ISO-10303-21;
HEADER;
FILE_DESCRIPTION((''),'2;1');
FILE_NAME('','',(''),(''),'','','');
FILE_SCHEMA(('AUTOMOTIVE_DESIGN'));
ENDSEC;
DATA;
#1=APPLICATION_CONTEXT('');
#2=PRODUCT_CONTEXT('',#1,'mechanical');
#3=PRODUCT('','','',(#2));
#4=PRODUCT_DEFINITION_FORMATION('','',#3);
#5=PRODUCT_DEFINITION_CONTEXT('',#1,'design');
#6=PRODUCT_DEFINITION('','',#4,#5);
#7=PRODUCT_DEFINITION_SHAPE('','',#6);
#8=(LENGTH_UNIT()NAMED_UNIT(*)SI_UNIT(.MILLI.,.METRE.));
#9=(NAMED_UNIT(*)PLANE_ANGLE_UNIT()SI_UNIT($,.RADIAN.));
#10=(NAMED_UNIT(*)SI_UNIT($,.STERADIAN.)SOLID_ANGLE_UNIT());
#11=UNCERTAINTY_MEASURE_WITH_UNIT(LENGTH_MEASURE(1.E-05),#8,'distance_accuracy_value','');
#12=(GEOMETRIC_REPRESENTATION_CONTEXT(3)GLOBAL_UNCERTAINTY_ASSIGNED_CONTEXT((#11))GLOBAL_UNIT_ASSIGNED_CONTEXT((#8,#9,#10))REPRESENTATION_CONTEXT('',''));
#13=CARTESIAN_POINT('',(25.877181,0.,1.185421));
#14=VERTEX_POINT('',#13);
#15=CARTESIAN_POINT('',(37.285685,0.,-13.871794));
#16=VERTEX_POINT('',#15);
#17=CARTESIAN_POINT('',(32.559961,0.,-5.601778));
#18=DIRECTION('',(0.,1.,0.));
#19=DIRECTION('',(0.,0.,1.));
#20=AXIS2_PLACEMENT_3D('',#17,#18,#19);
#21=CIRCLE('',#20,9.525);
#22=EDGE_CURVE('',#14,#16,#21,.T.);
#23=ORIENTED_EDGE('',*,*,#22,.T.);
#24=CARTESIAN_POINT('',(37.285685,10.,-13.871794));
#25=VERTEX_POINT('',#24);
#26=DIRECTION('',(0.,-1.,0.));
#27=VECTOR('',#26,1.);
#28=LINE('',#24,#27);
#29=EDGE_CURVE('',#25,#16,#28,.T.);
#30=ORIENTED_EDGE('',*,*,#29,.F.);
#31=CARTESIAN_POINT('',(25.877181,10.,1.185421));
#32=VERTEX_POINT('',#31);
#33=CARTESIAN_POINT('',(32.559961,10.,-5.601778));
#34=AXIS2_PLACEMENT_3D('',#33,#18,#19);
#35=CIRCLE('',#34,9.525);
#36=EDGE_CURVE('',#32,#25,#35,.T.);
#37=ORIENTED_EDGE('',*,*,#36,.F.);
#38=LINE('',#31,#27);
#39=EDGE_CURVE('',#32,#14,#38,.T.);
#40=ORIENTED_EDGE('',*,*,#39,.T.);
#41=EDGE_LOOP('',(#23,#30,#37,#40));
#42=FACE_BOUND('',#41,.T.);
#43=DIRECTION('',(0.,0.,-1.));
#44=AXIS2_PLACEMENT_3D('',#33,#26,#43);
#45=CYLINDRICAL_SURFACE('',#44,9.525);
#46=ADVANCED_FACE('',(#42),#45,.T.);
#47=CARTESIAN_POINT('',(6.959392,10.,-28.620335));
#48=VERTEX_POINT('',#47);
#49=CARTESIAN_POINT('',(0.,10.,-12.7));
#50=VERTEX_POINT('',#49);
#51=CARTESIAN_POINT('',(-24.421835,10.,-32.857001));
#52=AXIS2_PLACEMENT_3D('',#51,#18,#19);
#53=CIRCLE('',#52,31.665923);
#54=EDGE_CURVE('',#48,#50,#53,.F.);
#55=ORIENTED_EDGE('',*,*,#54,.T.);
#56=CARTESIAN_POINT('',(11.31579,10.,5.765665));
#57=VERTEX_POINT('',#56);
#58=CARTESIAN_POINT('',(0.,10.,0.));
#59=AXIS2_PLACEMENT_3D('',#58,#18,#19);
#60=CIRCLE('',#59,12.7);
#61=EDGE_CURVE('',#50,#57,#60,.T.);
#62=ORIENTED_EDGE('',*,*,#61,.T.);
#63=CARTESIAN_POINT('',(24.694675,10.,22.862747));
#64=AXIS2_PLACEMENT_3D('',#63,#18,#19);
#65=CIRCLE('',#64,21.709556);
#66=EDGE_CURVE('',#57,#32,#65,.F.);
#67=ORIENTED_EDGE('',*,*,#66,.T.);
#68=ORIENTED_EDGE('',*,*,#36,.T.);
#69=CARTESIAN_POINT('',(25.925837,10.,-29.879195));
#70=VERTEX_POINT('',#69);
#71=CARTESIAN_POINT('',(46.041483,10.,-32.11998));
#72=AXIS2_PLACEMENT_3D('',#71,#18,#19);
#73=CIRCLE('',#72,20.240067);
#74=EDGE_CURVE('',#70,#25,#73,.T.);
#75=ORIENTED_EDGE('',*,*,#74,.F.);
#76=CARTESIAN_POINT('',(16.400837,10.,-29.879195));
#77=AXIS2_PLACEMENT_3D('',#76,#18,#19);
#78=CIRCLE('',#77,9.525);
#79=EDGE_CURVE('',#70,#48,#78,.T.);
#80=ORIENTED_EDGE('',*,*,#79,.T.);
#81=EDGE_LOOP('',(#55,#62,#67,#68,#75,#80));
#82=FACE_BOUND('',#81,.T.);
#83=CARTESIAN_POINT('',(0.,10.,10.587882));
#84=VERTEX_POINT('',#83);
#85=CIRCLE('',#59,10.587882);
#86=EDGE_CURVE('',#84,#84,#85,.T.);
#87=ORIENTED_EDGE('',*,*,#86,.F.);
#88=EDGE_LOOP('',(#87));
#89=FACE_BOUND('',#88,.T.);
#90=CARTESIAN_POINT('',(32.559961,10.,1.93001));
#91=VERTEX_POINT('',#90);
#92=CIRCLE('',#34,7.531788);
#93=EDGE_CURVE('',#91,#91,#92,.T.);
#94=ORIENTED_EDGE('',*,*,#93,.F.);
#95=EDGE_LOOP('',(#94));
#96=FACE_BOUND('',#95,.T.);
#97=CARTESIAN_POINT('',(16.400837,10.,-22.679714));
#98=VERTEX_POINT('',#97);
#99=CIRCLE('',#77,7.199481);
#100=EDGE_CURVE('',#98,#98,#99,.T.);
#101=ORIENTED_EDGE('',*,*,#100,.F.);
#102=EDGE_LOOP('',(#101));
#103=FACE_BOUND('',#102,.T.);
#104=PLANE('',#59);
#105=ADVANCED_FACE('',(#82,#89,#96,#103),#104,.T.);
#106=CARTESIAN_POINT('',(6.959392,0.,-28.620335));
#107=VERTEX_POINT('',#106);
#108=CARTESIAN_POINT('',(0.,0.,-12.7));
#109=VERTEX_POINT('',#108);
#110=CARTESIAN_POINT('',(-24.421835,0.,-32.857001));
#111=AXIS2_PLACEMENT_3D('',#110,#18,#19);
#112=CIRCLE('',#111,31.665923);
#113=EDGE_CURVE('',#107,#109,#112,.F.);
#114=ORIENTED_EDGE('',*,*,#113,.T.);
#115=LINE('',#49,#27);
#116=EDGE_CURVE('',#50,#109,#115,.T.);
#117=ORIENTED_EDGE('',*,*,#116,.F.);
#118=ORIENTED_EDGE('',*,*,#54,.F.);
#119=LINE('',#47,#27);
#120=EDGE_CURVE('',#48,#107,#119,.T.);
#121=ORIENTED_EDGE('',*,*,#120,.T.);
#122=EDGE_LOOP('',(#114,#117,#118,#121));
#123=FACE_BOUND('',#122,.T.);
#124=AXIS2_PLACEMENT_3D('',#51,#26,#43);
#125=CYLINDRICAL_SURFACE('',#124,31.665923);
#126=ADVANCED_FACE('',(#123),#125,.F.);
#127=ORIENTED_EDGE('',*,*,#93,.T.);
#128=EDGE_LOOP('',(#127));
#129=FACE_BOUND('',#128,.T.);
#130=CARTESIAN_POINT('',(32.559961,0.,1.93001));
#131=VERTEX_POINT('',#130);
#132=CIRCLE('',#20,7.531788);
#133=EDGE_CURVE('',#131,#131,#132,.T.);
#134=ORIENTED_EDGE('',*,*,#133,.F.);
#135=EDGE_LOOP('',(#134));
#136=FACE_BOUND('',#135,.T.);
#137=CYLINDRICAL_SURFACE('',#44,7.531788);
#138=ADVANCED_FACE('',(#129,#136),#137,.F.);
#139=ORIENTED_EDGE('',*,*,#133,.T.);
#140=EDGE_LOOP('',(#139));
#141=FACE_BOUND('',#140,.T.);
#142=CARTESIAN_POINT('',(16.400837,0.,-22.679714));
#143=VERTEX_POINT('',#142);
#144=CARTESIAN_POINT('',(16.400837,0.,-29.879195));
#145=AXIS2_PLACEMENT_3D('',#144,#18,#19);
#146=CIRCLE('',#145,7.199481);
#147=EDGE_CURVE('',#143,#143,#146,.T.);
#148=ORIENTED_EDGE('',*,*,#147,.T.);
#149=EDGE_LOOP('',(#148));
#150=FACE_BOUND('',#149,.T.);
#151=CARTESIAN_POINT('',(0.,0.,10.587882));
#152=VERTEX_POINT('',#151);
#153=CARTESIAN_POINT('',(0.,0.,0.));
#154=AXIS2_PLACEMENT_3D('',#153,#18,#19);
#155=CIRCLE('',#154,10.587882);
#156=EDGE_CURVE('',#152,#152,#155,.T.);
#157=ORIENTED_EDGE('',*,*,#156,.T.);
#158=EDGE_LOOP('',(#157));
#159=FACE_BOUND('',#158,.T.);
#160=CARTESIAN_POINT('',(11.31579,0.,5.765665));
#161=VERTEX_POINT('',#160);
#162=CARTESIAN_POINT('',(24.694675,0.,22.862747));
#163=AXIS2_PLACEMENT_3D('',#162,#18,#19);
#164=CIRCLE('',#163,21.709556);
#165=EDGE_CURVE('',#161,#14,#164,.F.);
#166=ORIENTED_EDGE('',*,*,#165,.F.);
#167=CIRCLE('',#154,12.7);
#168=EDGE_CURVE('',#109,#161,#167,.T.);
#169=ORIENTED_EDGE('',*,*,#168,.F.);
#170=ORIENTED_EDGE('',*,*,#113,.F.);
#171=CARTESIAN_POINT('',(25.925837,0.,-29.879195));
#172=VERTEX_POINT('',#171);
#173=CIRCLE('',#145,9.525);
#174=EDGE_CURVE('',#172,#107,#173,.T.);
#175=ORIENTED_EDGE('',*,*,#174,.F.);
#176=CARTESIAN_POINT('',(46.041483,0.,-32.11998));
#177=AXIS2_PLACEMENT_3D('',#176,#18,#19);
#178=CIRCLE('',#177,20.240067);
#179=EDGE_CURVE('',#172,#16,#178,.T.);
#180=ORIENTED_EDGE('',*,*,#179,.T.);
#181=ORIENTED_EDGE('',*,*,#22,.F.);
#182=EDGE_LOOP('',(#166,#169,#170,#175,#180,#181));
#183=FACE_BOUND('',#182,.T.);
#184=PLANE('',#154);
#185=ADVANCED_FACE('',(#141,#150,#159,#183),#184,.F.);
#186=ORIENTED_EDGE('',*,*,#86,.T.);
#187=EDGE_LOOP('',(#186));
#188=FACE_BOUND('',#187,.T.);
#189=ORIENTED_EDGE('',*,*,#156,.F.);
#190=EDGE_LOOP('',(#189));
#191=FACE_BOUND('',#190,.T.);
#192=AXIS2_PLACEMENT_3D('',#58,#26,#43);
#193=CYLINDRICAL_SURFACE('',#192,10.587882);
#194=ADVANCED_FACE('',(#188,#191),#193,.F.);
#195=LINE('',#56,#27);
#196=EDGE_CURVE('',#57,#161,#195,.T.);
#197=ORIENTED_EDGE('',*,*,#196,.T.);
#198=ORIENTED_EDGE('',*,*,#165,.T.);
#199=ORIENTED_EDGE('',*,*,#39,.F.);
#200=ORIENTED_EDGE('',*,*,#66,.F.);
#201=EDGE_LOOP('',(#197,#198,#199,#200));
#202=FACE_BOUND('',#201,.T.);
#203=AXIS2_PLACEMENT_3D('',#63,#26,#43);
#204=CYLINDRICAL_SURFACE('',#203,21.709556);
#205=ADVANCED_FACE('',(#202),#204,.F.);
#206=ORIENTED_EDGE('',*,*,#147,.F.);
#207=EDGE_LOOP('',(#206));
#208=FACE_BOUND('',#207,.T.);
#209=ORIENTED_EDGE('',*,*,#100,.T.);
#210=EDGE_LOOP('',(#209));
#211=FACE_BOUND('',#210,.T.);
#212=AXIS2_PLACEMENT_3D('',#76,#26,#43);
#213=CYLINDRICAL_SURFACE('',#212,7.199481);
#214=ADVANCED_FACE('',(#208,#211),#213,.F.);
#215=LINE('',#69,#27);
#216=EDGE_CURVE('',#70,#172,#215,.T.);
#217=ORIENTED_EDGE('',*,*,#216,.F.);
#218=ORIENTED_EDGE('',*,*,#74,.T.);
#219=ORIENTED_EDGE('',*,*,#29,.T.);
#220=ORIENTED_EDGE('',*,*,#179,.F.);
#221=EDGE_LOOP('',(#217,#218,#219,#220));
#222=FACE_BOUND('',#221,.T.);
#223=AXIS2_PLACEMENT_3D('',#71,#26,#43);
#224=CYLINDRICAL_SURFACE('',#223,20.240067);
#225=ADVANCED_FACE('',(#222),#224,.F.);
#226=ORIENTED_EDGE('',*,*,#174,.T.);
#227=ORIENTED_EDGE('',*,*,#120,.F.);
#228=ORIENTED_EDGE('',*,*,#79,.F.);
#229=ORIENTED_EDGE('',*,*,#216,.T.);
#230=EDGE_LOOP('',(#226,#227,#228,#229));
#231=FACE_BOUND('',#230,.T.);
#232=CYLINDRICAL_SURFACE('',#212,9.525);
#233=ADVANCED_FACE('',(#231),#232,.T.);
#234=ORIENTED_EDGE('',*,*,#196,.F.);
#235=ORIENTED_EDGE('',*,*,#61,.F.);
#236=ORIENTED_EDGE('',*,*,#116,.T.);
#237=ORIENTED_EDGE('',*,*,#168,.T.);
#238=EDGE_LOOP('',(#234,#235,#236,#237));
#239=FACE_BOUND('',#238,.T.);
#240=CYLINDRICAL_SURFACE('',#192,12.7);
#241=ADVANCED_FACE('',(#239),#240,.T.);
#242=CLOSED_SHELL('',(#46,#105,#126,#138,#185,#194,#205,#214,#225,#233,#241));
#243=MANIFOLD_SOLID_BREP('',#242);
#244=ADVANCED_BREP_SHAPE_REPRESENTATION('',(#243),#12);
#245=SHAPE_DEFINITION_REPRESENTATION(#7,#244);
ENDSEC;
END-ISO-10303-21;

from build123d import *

# Parameters (mm, degrees)
SKETCH1_R           = 12.7
SKETCH1_R_2         = 10.587882435
SKETCH1_R_3         = 9.525
SKETCH1_R_4         = 7.199480632
SKETCH1_R_5         = 7.531788478
BOSS_EXTRUDE1_DEPTH = 10


with BuildPart() as part:
    # Sketch1 → Boss-Extrude1 (new body)
    # profile 1 of 4: a face of its own
    with BuildSketch(Plane(origin=(0, 0, 0), x_dir=(1, 0, 0), z_dir=(0, 1, 0))):
        with BuildLine():
            ThreePointArc((0, 12.7), (8.980256121, 8.980256121), (12.7, 0))
            ThreePointArc((12.7, 0), (12.349099919, -2.964748082), (11.315790364, -5.765664614))
            ThreePointArc((11.315790364, -5.765664614), (18.18064615, -2.153516868), (25.877180845, -1.185420811))
            ThreePointArc((25.877180845, -1.185420811), (24.696409251, 10.976736126), (36.457129285, 14.293021273))
            ThreePointArc((36.457129285, 14.293021273), (29.270833309, 20.788359993), (25.925837497, 29.879194827))
            ThreePointArc((25.925837497, 29.879194827), (17.031652126, 20.375106343), (6.959391743, 28.620335393))
            ThreePointArc((6.959391743, 28.620335393), (4.592983555, 20.173506773), (0, 12.7))
        make_face()
    # profile 2 of 4: a face of its own
    with BuildSketch(Plane(origin=(0, 0, 0), x_dir=(1, 0, 0), z_dir=(0, 1, 0))):
        Circle(SKETCH1_R)
        with Locations(Location((0, 0, 0), (0, 0, 270))):
            Circle(SKETCH1_R_2, mode=Mode.SUBTRACT)
    # profile 3 of 4: a face of its own
    with BuildSketch(Plane(origin=(0, 0, 0), x_dir=(1, 0, 0), z_dir=(0, 1, 0))):
        with Locations((16.400837497, 29.879194827)):
            Circle(SKETCH1_R_3)
        with Locations(Location((16.400837497, 29.879194827, 0), (0, 0, 270))):
            Circle(SKETCH1_R_4, mode=Mode.SUBTRACT)
    # profile 4 of 4: a face of its own
    with BuildSketch(Plane(origin=(0, 0, 0), x_dir=(1, 0, 0), z_dir=(0, 1, 0))):
        with BuildLine():
            ThreePointArc((36.457129285, 14.293021273), (24.696409251, 10.976736126), (25.877180845, -1.185420811))
            ThreePointArc((25.877180845, -1.185420811), (36.239101244, -3.183980484), (42.084961355, 5.601778145))
            ThreePointArc((42.084961355, 5.601778145), (40.798229992, 10.382631088), (37.285684743, 13.871794073))
            ThreePointArc((37.285684743, 13.871794073), (36.8689887, 14.077650841), (36.457129285, 14.293021273))
        make_face()
        with Locations(Location((32.559961355, 5.601778145, 0), (0, 0, 270))):
            Circle(SKETCH1_R_5, mode=Mode.SUBTRACT)
    extrude(amount=BOSS_EXTRUDE1_DEPTH)


solid = part.part
